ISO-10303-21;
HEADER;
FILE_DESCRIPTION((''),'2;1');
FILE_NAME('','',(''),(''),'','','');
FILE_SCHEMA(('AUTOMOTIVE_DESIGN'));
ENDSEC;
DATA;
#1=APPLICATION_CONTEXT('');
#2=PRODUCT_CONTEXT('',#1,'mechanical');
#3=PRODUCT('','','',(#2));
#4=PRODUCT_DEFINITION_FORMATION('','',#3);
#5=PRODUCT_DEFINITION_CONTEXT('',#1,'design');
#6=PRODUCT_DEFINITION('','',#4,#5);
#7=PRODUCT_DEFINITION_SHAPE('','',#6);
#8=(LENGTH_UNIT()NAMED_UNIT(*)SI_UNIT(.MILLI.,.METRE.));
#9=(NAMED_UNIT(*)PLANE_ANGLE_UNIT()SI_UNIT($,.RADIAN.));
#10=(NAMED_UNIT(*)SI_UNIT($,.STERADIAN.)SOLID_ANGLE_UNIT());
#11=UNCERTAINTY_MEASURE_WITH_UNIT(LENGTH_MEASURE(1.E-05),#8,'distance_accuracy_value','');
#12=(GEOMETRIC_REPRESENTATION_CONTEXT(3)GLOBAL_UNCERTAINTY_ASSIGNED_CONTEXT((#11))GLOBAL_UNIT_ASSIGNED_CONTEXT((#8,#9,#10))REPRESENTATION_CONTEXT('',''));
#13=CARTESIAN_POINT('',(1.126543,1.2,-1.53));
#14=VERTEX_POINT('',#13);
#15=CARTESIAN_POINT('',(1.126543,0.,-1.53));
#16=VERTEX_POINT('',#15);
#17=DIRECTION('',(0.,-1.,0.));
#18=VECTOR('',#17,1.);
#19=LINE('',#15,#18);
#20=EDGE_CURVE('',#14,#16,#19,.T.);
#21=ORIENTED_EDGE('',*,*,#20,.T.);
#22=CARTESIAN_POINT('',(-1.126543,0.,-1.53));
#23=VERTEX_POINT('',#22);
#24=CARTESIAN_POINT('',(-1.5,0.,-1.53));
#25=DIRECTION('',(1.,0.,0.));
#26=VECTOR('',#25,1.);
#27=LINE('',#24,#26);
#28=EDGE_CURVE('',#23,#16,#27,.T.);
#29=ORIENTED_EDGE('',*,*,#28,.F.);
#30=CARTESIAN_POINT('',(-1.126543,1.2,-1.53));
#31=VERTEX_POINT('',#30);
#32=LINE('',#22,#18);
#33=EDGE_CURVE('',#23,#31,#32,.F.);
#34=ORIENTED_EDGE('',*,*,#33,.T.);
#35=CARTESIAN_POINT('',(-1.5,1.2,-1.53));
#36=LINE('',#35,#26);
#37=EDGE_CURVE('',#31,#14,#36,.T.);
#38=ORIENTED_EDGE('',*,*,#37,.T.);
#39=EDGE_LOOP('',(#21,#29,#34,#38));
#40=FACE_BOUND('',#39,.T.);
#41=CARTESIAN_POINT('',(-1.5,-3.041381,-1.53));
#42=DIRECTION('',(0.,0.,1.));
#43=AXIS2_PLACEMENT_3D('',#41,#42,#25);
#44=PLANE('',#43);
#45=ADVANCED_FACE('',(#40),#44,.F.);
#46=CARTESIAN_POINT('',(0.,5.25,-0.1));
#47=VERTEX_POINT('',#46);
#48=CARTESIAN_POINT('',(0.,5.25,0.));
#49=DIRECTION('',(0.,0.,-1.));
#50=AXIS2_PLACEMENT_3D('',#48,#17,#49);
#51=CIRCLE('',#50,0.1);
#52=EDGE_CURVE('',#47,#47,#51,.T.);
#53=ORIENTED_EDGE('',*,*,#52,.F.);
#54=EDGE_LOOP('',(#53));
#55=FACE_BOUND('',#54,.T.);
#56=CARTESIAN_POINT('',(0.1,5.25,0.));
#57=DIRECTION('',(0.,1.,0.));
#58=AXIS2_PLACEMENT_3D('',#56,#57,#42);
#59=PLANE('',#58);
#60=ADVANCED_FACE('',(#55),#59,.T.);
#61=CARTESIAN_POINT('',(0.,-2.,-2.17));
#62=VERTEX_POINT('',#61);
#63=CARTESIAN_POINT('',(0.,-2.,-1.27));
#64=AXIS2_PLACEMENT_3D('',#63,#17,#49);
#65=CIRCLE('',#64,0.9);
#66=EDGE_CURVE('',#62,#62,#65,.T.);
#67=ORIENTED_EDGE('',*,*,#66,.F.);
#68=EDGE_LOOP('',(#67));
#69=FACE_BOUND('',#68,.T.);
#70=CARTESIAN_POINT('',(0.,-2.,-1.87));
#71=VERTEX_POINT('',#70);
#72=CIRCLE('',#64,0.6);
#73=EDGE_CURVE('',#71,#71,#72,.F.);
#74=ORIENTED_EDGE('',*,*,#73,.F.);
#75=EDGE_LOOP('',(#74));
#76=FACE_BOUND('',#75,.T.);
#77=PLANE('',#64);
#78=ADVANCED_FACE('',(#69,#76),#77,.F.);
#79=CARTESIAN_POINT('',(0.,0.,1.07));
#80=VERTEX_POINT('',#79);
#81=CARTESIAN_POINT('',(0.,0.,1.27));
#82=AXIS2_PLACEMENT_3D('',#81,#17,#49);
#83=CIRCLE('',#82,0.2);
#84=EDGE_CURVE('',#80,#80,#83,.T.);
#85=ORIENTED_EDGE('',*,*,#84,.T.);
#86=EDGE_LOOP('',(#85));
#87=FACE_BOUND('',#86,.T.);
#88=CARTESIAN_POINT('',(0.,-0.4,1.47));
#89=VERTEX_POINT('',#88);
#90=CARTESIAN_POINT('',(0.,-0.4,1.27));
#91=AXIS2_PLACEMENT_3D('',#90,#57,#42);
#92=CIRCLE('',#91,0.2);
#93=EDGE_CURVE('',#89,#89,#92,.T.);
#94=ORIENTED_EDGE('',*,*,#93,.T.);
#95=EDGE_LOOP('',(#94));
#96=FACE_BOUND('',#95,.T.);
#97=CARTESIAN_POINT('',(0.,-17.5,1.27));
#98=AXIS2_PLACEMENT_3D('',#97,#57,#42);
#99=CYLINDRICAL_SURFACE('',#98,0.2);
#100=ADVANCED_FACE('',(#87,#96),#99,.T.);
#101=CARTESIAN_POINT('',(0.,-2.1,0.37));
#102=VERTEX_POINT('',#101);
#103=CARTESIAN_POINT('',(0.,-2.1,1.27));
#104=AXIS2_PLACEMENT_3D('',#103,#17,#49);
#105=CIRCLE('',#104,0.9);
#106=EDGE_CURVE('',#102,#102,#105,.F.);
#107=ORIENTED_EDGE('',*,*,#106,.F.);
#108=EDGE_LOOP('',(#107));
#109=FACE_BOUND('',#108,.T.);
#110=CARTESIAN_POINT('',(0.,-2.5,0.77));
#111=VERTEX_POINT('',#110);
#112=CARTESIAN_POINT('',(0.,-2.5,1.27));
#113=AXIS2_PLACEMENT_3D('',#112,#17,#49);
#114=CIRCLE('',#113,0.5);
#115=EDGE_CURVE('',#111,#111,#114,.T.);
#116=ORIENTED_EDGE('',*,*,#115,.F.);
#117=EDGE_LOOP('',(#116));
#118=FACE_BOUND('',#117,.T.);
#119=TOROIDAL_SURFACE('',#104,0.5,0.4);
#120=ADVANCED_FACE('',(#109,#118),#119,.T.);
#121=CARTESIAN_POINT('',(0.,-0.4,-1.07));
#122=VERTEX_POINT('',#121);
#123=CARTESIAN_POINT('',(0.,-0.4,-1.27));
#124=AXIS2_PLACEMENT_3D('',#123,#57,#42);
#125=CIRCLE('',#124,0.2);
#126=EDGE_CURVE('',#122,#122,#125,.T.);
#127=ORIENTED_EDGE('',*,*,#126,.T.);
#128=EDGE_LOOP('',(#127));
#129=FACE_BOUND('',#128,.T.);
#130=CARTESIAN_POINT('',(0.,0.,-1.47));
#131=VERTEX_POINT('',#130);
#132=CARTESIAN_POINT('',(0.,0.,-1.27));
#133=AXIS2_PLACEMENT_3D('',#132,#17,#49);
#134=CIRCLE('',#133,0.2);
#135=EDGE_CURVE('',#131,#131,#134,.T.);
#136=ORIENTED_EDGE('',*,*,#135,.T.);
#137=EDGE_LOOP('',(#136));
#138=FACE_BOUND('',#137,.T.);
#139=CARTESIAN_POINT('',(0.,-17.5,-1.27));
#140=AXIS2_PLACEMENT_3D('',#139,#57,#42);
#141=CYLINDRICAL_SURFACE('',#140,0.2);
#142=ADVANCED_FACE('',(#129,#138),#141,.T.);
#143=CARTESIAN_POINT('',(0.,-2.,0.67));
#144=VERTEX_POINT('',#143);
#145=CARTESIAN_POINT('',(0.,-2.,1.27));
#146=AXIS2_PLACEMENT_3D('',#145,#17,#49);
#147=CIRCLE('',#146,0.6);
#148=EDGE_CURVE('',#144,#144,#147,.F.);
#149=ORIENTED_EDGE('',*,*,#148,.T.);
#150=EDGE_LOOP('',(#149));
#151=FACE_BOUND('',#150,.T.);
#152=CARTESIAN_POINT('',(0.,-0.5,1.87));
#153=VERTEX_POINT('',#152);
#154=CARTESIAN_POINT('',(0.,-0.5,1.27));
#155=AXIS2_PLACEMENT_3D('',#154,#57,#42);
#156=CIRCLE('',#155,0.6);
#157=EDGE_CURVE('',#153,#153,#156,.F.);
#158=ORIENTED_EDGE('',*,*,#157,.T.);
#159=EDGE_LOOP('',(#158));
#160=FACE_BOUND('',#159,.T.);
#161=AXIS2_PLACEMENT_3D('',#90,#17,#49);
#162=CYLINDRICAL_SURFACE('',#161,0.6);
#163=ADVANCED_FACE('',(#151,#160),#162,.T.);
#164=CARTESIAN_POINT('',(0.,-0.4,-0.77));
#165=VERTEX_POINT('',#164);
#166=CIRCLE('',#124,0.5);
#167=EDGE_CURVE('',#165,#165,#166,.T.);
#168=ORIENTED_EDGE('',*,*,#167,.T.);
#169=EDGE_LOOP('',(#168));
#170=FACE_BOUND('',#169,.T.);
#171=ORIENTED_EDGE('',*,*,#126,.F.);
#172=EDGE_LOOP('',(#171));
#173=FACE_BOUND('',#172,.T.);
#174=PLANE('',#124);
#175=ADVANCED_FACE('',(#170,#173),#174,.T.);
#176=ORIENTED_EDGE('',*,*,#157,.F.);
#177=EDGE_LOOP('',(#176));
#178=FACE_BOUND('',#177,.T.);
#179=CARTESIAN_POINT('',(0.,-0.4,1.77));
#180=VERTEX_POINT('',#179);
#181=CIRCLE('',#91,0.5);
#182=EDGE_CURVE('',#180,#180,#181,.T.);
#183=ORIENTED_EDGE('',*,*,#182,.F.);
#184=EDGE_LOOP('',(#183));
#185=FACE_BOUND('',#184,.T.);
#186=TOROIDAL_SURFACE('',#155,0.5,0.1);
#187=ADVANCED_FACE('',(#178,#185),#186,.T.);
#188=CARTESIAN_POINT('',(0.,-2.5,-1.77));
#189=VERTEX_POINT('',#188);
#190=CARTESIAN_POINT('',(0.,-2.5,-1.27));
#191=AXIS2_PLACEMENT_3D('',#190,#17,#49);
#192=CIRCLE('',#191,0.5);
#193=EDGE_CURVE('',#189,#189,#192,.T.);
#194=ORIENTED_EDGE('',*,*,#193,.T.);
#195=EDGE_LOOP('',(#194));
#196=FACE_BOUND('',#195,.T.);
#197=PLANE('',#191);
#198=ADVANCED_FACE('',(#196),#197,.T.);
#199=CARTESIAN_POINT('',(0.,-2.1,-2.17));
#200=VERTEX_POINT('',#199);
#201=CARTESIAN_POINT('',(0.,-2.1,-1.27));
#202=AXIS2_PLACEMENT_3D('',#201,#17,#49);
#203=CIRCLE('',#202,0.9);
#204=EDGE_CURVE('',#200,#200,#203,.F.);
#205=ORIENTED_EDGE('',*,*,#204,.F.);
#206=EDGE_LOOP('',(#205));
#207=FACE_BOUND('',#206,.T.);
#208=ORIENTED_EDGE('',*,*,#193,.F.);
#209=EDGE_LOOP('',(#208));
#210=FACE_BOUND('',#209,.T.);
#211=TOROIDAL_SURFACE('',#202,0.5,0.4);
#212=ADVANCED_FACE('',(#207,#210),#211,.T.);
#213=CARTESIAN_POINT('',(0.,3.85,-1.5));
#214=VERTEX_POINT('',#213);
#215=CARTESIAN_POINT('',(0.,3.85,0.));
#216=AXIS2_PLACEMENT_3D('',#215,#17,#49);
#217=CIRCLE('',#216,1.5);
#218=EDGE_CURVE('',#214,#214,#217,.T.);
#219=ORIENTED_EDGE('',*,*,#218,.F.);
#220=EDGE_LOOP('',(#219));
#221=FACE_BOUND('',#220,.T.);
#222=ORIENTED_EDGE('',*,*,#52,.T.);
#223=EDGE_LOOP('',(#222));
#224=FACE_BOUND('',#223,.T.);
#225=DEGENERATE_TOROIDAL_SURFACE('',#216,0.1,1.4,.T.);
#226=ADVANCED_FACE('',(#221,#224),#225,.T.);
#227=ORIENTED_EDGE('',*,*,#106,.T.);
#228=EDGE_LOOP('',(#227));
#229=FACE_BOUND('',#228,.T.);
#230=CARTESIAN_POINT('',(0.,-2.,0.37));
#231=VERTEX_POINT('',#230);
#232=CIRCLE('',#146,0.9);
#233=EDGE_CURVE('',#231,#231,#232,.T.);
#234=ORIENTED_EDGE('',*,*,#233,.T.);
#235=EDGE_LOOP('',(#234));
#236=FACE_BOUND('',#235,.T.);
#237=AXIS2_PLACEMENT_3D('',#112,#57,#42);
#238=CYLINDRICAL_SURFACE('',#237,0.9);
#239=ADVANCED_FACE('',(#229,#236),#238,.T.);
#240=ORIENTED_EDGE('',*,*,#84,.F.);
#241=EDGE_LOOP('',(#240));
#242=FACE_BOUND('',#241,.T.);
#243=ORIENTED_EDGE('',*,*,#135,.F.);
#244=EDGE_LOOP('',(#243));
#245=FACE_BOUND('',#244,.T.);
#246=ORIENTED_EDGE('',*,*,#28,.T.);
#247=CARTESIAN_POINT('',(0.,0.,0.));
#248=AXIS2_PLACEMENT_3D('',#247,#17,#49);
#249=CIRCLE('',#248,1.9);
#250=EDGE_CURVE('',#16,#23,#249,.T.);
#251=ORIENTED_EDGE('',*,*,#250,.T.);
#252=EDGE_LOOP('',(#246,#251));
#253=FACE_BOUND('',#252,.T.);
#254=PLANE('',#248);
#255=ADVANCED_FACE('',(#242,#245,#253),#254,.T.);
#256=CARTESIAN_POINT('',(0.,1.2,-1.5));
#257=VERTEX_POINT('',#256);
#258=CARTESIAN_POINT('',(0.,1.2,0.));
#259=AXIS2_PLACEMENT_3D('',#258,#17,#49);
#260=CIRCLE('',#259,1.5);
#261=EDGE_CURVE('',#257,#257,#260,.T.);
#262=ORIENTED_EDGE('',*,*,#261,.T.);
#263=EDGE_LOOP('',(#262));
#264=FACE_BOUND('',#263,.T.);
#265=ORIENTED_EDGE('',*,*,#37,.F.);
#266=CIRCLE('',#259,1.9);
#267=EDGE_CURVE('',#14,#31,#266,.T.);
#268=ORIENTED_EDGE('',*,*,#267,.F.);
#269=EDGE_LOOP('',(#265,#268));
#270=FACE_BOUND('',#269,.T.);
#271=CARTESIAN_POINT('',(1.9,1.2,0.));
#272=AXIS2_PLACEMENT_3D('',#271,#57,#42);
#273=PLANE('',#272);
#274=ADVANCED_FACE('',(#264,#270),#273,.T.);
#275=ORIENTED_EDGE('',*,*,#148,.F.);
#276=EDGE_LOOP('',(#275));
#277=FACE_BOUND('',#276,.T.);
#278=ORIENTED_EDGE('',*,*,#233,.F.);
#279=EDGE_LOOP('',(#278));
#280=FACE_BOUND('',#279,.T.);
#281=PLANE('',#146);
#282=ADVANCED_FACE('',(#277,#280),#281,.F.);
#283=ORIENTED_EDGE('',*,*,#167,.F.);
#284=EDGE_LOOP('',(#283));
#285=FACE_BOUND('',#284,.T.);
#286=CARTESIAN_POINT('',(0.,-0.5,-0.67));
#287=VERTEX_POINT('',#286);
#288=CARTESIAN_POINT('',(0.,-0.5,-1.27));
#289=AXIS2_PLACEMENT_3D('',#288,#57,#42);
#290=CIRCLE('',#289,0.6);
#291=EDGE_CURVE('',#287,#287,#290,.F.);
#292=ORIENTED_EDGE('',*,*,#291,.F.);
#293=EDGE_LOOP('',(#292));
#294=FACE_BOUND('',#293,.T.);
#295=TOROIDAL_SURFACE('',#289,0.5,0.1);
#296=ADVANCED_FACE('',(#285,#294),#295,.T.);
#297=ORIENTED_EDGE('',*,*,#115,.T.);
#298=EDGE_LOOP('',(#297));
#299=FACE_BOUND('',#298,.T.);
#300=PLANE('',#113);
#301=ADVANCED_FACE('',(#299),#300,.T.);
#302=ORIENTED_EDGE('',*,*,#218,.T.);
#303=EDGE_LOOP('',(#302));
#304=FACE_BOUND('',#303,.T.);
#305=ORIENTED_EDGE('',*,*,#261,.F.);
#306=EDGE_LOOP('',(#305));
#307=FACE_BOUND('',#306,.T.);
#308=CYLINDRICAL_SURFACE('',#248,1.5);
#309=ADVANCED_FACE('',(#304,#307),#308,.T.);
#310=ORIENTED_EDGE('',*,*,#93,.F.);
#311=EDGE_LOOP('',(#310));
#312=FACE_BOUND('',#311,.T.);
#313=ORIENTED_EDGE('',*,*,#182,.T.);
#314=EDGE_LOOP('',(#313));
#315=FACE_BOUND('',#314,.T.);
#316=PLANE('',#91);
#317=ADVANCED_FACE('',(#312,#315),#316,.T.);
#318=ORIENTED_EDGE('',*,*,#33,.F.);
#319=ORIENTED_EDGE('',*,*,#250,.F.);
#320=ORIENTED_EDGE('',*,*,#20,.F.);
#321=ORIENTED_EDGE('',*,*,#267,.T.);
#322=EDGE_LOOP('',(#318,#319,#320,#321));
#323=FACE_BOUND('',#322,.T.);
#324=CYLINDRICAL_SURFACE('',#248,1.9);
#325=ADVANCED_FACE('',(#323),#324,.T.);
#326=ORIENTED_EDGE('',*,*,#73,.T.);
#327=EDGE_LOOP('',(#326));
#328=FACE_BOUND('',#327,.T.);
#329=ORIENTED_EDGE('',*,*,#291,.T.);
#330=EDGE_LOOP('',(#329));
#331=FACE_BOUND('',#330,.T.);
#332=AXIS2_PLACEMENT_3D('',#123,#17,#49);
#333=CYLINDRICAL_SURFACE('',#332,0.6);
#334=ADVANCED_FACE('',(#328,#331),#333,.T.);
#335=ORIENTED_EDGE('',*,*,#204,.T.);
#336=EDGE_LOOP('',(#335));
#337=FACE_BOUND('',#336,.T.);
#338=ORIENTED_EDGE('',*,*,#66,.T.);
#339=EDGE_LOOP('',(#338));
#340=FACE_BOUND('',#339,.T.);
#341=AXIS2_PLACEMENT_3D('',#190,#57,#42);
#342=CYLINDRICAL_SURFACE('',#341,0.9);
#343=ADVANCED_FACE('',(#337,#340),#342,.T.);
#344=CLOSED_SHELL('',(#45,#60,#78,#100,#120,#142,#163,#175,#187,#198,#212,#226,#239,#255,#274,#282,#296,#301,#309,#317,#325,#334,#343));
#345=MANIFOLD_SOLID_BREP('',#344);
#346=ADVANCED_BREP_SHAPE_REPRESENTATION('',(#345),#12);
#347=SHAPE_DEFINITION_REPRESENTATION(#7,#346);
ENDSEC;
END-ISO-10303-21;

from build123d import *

# Parameters (mm, degrees)
SKETCH2_W               = 3
SKETCH2_H               = 0.5
CUT_EXTRUDE1_DEPTH      = 1.2
SKETCH3_R               = 0.2
BOSS_EXTRUDE1_DEPTH     = 17.5
SKETCH4_R               = 0.2
BOSS_EXTRUDE2_DEPTH     = 1.5
SKETCH5_W               = 5
SKETCH5_H               = 17
CUT_EXTRUDE2_DEPTH      = 2.9
CUT_EXTRUDE2_DEPTH_BACK = 2.9
SKETCH6_R               = 0.9
BOSS_EXTRUDE3_DEPTH     = 0.5
FILLET2_R               = 0.4
SKETCH7_R               = 0.6
BOSS_EXTRUDE4_DEPTH     = 1.6
FILLET3_R               = 0.1


with BuildPart() as part:
    # Sketch1 → Revolve1 (revolve)
    with BuildSketch(Plane.XY):
        with BuildLine():
            Line((0, 0), (0, 5.25))
            Line((0, 5.25), (0.1, 5.25))
            ThreePointArc((0.1, 5.25), (1.089949494, 4.839949494), (1.5, 3.85))
            Line((1.5, 3.85), (1.5, 1.2))
            Line((1.5, 1.2), (1.9, 1.2))
            Line((1.9, 1.2), (1.9, 0))
            Line((1.9, 0), (0, 0))
        make_face()
    revolve(axis=Axis((0, 0, 0), (0, 1, 0)))

    # Sketch2 → Cut-Extrude1 (cut)
    with BuildSketch(Plane(origin=(0, 1.2, 0), x_dir=(1, 0, 0), z_dir=(0, 1, 0))):
        with Locations((0, 1.78)):
            Rectangle(SKETCH2_W, SKETCH2_H)
    extrude(amount=-CUT_EXTRUDE1_DEPTH, mode=Mode.SUBTRACT)

    # Sketch3 → Boss-Extrude1 (add)
    with BuildSketch(Plane.XZ):
        with Locations((0, 1.27)):
            Circle(SKETCH3_R)
        with Locations((0, -1.27)):
            Circle(SKETCH3_R)
    extrude(amount=BOSS_EXTRUDE1_DEPTH)

    # Sketch4 → Boss-Extrude2 (add)
    with BuildSketch(Plane.XZ.offset(17.5)):
        with Locations((0, 1.27)):
            Circle(SKETCH4_R)
    extrude(amount=BOSS_EXTRUDE2_DEPTH)

    # Sketch5 → Cut-Extrude2 (cut, two sides)
    with BuildSketch(Plane(origin=(0, 0, 0), x_dir=(0, 0, -1), z_dir=(1, 0, 0))) as cut_extrude2_sk:
        with Locations((0, -10.5)):
            Rectangle(SKETCH5_W, SKETCH5_H)
    extrude(amount=CUT_EXTRUDE2_DEPTH, mode=Mode.SUBTRACT)
    extrude(cut_extrude2_sk.sketch, amount=-CUT_EXTRUDE2_DEPTH_BACK, mode=Mode.SUBTRACT)

    # Sketch6 → Boss-Extrude3 (add)
    with BuildSketch(Plane.XZ.offset(2)):
        with Locations((0, 1.27)):
            Circle(SKETCH6_R)
        with Locations((0, -1.27)):
            Circle(SKETCH6_R)
    extrude(amount=BOSS_EXTRUDE3_DEPTH)

    # Fillet2
    fillet2_edges = [part.edges().sort_by_distance(p)[0] for p in [
        (-0.9, -2.5, 1.27),
        (-0.9, -2.5, -1.27),
    ]]
    fillet(fillet2_edges, radius=FILLET2_R)

    # Sketch7 → Boss-Extrude4 (add)
    with BuildSketch(Plane(origin=(0, -2, 0), x_dir=(1, 0, 0), z_dir=(0, 1, 0))):
        with Locations((0, -1.27)):
            Circle(SKETCH7_R)
        with Locations((0, 1.27)):
            Circle(SKETCH7_R)
    extrude(amount=BOSS_EXTRUDE4_DEPTH)

    # Fillet3
    fillet3_edges = [part.edges().sort_by_distance(p)[0] for p in [
        (-0.6, -0.4, 1.27),
        (-0.6, -0.4, -1.27),
    ]]
    fillet(fillet3_edges, radius=FILLET3_R)


solid = part.part
